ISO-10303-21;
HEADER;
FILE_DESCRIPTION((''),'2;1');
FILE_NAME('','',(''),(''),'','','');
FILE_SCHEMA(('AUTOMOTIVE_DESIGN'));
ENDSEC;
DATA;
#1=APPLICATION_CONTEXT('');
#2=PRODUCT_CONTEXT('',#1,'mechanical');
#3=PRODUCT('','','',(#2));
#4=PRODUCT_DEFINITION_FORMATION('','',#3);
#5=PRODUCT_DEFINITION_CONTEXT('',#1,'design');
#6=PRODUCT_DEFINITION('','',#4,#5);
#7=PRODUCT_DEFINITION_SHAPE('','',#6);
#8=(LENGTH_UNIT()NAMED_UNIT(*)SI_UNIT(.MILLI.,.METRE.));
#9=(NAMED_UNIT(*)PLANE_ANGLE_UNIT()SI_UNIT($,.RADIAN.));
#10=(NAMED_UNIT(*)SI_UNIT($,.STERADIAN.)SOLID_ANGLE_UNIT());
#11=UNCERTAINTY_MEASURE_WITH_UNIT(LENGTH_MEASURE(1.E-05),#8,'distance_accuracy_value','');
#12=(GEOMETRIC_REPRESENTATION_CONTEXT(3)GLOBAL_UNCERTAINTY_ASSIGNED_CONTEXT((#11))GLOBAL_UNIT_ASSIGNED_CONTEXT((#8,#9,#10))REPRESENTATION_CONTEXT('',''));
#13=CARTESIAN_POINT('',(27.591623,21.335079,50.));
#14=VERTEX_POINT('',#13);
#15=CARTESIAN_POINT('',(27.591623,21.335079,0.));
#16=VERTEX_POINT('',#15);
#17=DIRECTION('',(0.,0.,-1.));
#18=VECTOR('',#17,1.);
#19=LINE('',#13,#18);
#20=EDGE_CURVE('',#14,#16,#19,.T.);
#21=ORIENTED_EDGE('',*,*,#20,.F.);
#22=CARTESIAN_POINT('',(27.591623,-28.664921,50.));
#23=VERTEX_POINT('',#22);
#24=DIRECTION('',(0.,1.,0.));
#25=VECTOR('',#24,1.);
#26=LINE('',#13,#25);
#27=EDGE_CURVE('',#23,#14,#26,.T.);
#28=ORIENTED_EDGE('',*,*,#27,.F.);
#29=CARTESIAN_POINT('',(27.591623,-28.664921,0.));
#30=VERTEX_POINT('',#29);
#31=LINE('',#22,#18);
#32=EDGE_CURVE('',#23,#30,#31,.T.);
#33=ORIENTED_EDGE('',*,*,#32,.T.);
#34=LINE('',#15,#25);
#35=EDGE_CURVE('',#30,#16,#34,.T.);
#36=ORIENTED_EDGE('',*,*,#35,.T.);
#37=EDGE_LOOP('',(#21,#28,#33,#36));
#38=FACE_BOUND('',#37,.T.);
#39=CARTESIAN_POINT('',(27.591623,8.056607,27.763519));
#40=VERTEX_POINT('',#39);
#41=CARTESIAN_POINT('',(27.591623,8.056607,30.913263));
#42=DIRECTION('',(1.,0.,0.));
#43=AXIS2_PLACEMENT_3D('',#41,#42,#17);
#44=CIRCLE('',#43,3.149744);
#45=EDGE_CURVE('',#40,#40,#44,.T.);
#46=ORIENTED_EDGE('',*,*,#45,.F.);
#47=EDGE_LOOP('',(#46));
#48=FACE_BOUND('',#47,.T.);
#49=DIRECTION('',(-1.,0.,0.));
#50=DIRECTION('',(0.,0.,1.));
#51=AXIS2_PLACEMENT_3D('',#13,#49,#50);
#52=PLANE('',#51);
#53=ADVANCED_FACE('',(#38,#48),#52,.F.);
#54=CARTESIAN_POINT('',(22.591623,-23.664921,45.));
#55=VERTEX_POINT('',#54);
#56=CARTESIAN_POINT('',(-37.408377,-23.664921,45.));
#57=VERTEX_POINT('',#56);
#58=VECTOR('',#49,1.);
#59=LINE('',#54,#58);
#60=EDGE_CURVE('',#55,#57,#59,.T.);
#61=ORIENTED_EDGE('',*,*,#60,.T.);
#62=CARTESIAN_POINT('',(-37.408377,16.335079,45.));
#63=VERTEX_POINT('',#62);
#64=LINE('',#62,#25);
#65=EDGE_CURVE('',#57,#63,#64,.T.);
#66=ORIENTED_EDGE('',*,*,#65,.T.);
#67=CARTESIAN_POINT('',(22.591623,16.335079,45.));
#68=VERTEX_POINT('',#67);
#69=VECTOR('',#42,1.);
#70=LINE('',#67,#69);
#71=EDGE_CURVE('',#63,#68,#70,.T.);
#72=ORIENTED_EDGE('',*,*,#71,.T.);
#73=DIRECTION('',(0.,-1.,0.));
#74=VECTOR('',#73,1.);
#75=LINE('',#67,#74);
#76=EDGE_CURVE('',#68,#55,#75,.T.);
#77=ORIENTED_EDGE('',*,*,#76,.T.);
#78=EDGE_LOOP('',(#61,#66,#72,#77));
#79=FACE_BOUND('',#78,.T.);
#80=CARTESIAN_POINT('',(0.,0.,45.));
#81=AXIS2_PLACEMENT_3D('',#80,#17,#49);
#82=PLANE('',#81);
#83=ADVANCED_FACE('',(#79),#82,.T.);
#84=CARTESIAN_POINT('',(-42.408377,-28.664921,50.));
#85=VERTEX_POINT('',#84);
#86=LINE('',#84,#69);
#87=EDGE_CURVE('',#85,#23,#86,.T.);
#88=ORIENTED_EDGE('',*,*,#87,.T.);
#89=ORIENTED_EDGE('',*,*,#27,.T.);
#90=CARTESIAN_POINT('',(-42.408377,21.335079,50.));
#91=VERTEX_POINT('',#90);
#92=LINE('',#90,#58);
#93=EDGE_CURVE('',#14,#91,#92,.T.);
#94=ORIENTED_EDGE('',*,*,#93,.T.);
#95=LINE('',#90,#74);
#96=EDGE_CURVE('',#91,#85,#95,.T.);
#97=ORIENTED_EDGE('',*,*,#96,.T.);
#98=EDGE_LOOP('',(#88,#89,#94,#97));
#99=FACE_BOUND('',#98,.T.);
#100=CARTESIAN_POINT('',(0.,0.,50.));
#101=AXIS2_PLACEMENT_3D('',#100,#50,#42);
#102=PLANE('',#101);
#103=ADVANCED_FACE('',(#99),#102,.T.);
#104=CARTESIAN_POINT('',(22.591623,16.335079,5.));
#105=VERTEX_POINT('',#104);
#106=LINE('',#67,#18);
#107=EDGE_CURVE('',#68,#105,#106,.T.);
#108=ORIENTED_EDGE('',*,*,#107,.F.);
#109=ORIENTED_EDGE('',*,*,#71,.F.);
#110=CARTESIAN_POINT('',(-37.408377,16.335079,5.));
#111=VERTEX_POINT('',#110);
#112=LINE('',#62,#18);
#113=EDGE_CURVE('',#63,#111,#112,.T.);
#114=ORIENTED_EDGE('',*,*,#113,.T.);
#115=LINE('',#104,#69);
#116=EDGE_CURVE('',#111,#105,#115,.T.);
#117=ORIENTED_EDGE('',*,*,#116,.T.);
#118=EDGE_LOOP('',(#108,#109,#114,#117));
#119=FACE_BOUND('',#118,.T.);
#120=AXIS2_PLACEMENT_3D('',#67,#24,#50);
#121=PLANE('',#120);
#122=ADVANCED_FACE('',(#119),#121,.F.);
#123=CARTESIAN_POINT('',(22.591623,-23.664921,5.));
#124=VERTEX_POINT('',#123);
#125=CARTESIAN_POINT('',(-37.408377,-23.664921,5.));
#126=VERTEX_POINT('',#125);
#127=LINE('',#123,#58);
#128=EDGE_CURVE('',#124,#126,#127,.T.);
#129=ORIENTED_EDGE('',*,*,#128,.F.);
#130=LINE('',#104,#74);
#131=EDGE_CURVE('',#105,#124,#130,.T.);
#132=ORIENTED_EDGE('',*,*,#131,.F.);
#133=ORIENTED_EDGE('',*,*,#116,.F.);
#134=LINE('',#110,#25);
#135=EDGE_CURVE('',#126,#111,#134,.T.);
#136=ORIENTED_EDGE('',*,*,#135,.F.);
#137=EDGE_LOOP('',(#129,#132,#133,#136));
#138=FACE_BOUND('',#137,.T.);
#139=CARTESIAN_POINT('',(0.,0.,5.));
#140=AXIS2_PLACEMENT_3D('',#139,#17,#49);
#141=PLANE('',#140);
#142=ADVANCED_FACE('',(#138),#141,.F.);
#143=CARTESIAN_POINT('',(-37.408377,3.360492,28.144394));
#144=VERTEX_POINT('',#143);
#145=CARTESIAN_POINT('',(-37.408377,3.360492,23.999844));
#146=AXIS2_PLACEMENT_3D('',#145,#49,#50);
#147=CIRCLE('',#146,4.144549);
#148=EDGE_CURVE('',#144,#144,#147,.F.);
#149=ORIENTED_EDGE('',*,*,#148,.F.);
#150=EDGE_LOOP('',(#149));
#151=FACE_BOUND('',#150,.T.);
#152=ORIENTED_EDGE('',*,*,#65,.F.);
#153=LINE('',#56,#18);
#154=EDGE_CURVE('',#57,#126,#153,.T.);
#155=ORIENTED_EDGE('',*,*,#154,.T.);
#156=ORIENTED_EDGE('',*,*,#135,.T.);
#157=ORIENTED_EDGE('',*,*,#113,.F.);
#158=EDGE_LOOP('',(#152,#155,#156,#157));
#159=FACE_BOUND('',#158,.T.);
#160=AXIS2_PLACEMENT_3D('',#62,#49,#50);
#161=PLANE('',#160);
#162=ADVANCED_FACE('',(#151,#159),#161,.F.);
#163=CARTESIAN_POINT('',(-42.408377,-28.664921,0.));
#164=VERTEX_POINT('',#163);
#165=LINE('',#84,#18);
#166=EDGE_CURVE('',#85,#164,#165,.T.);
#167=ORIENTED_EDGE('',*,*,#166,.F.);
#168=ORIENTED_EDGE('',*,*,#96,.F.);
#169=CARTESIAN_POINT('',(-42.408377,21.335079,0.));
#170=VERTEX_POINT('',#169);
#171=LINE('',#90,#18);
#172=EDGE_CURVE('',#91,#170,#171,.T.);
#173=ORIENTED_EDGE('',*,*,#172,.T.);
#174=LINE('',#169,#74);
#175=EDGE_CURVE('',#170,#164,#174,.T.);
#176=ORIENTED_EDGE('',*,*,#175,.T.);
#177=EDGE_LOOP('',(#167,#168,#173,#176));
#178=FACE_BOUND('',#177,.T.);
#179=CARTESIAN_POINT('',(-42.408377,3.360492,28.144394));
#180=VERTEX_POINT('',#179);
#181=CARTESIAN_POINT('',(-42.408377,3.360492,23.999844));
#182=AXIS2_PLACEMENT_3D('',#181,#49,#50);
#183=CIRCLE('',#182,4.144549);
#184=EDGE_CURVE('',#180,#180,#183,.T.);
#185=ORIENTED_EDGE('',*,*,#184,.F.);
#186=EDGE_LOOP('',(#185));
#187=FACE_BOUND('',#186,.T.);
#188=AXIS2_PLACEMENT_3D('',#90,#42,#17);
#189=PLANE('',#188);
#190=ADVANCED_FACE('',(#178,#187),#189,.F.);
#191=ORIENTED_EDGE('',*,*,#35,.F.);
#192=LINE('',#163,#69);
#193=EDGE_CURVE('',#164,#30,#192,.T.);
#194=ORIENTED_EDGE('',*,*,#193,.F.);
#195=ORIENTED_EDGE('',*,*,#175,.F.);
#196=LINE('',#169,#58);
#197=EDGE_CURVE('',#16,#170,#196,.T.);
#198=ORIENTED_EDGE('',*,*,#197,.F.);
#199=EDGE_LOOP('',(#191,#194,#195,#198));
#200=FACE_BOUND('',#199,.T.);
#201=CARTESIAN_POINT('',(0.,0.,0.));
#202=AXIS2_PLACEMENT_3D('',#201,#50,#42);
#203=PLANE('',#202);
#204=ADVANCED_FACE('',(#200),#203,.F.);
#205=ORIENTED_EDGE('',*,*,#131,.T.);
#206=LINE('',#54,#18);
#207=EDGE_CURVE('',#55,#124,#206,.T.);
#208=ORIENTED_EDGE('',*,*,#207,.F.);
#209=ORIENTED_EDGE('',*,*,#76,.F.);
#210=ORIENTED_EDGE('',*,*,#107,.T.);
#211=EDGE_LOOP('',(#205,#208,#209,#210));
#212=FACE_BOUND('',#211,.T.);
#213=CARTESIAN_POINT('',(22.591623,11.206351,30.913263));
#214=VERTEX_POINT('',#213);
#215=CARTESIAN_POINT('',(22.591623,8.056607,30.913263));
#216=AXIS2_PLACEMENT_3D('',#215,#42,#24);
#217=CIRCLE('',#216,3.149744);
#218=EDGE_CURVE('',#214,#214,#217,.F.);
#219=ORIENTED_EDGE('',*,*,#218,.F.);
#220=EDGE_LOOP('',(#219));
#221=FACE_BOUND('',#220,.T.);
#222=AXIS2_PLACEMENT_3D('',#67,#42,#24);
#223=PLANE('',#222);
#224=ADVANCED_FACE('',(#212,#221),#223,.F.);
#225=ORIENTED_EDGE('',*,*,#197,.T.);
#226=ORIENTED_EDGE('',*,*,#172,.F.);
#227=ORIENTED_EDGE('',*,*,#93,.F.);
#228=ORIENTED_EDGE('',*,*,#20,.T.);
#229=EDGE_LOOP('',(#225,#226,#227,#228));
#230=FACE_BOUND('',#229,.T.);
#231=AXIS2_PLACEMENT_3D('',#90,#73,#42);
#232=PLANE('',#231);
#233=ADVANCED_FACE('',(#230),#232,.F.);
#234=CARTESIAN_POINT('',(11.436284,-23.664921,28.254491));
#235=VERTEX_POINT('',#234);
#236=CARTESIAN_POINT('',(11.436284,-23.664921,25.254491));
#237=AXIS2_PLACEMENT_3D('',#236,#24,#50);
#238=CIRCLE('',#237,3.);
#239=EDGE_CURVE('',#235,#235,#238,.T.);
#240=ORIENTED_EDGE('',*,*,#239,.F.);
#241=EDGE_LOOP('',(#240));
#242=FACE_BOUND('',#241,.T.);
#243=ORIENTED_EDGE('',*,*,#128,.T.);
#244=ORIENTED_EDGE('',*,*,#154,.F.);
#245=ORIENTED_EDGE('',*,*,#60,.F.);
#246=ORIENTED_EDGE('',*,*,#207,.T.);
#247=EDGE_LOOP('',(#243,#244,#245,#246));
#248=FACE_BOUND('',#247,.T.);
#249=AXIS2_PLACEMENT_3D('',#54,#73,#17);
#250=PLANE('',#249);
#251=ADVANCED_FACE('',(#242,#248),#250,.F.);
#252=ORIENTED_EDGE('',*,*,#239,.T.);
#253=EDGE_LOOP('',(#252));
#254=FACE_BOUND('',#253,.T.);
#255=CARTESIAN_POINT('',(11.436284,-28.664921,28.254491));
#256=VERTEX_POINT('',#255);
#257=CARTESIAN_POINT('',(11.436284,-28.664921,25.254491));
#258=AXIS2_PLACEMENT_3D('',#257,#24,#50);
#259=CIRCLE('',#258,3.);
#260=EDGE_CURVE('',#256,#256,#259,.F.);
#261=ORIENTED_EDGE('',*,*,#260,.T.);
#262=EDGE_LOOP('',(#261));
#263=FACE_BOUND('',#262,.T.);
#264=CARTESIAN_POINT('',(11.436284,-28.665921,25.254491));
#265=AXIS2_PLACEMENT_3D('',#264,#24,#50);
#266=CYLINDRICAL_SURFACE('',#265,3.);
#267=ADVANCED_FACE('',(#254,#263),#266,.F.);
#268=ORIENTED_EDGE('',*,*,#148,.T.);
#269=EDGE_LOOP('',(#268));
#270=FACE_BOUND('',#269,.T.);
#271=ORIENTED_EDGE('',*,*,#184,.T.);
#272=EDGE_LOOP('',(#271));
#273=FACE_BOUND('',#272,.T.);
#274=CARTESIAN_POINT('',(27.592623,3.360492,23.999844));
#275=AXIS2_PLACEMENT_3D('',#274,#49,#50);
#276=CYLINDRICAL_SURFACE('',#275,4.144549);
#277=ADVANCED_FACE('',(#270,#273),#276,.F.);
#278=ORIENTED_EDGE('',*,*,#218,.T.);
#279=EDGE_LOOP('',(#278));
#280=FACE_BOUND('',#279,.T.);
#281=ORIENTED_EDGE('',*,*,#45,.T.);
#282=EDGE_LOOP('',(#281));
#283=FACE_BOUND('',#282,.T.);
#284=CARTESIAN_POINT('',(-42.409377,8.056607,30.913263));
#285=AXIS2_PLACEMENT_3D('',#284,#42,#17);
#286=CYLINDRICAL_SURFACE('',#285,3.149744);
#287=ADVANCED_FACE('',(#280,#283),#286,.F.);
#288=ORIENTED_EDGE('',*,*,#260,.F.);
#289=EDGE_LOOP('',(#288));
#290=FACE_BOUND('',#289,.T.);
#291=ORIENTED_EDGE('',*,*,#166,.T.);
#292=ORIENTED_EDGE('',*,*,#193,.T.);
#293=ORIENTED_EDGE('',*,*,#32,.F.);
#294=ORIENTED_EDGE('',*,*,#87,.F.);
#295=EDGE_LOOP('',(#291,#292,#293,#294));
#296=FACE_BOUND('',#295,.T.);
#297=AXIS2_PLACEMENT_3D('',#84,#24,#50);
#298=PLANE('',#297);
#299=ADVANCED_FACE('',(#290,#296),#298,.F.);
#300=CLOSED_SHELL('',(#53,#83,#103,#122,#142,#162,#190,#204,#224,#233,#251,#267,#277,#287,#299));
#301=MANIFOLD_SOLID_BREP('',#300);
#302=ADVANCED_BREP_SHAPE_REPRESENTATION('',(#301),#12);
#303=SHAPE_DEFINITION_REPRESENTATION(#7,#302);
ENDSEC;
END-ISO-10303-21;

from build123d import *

# Parameters (mm, degrees)
SKETCH1_W           = 70
SKETCH1_H           = 50
BOSS_EXTRUDE1_DEPTH = 50
CUT_EXTRUDE1_START  = -5
SKETCH2_W           = 60
SKETCH2_H           = 40
CUT_EXTRUDE1_DEPTH  = 40
CUT_EXTRUDE2_REACH  = 81.52
SKETCH3_R           = 3
CUT_EXTRUDE3_REACH  = 92.673
SKETCH4_R           = 3.149743794
CUT_EXTRUDE4_REACH  = 92.673
SKETCH5_R           = 4.144549467


with BuildPart() as part:
    # Sketch1 → Boss-Extrude1 (new body)
    with BuildSketch(Plane.XY):
        with Locations((-7.408376963, -3.664921466)):
            Rectangle(SKETCH1_W, SKETCH1_H)
    extrude(amount=BOSS_EXTRUDE1_DEPTH)

    # Sketch2 → Cut-Extrude1 (cut)
    with BuildSketch(Plane(origin=(0, 0, 0), x_dir=(-1, 0, 0), z_dir=(0, 0, -1)).offset(CUT_EXTRUDE1_START)):
        with Locations((7.408376963, -3.664921466)):
            Rectangle(SKETCH2_W, SKETCH2_H)
    extrude(amount=-CUT_EXTRUDE1_DEPTH, mode=Mode.SUBTRACT)

    # Sketch3 → Cut-Extrude2 (cut, up to next)
    with BuildSketch(Plane(origin=(0, -23.664921466, 0), x_dir=(1, 0, 0), z_dir=(0, 1, 0)), mode=Mode.PRIVATE) as cut_extrude2_sk1:
        with Locations(Location((11.436283644, -25.254491461, 0), (0, 0, 270))):
            Circle(SKETCH3_R)
    cut_extrude2_tool1 = extrude(cut_extrude2_sk1.sketch, amount=-CUT_EXTRUDE2_REACH, mode=Mode.PRIVATE) & part.part
    add(cut_extrude2_tool1.solids().sort_by_distance((11.436284, -23.664921, 25.254491))[0], mode=Mode.SUBTRACT)

    # Sketch4 → Cut-Extrude3 (cut, up to next)
    with BuildSketch(Plane(origin=(27.591623037, 0, 0), x_dir=(0, 0, -1), z_dir=(1, 0, 0)), mode=Mode.PRIVATE) as cut_extrude3_sk1:
        with Locations((-30.913262832, 8.056606799)):
            Circle(SKETCH4_R)
    cut_extrude3_tool1 = extrude(cut_extrude3_sk1.sketch, amount=-CUT_EXTRUDE3_REACH, mode=Mode.PRIVATE) & part.part
    add(cut_extrude3_tool1.solids().sort_by_distance((27.591623, 8.056607, 30.913263))[0], mode=Mode.SUBTRACT)

    # Sketch5 → Cut-Extrude4 (cut, up to next)
    with BuildSketch(Plane.ZY.offset(42.408376963), mode=Mode.PRIVATE) as cut_extrude4_sk1:
        with Locations((23.999844242, 3.360492079)):
            Circle(SKETCH5_R)
    cut_extrude4_tool1 = extrude(cut_extrude4_sk1.sketch, amount=-CUT_EXTRUDE4_REACH, mode=Mode.PRIVATE) & part.part
    add(cut_extrude4_tool1.solids().sort_by_distance((-42.408377, 3.360492, 23.999844))[0], mode=Mode.SUBTRACT)


solid = part.part
